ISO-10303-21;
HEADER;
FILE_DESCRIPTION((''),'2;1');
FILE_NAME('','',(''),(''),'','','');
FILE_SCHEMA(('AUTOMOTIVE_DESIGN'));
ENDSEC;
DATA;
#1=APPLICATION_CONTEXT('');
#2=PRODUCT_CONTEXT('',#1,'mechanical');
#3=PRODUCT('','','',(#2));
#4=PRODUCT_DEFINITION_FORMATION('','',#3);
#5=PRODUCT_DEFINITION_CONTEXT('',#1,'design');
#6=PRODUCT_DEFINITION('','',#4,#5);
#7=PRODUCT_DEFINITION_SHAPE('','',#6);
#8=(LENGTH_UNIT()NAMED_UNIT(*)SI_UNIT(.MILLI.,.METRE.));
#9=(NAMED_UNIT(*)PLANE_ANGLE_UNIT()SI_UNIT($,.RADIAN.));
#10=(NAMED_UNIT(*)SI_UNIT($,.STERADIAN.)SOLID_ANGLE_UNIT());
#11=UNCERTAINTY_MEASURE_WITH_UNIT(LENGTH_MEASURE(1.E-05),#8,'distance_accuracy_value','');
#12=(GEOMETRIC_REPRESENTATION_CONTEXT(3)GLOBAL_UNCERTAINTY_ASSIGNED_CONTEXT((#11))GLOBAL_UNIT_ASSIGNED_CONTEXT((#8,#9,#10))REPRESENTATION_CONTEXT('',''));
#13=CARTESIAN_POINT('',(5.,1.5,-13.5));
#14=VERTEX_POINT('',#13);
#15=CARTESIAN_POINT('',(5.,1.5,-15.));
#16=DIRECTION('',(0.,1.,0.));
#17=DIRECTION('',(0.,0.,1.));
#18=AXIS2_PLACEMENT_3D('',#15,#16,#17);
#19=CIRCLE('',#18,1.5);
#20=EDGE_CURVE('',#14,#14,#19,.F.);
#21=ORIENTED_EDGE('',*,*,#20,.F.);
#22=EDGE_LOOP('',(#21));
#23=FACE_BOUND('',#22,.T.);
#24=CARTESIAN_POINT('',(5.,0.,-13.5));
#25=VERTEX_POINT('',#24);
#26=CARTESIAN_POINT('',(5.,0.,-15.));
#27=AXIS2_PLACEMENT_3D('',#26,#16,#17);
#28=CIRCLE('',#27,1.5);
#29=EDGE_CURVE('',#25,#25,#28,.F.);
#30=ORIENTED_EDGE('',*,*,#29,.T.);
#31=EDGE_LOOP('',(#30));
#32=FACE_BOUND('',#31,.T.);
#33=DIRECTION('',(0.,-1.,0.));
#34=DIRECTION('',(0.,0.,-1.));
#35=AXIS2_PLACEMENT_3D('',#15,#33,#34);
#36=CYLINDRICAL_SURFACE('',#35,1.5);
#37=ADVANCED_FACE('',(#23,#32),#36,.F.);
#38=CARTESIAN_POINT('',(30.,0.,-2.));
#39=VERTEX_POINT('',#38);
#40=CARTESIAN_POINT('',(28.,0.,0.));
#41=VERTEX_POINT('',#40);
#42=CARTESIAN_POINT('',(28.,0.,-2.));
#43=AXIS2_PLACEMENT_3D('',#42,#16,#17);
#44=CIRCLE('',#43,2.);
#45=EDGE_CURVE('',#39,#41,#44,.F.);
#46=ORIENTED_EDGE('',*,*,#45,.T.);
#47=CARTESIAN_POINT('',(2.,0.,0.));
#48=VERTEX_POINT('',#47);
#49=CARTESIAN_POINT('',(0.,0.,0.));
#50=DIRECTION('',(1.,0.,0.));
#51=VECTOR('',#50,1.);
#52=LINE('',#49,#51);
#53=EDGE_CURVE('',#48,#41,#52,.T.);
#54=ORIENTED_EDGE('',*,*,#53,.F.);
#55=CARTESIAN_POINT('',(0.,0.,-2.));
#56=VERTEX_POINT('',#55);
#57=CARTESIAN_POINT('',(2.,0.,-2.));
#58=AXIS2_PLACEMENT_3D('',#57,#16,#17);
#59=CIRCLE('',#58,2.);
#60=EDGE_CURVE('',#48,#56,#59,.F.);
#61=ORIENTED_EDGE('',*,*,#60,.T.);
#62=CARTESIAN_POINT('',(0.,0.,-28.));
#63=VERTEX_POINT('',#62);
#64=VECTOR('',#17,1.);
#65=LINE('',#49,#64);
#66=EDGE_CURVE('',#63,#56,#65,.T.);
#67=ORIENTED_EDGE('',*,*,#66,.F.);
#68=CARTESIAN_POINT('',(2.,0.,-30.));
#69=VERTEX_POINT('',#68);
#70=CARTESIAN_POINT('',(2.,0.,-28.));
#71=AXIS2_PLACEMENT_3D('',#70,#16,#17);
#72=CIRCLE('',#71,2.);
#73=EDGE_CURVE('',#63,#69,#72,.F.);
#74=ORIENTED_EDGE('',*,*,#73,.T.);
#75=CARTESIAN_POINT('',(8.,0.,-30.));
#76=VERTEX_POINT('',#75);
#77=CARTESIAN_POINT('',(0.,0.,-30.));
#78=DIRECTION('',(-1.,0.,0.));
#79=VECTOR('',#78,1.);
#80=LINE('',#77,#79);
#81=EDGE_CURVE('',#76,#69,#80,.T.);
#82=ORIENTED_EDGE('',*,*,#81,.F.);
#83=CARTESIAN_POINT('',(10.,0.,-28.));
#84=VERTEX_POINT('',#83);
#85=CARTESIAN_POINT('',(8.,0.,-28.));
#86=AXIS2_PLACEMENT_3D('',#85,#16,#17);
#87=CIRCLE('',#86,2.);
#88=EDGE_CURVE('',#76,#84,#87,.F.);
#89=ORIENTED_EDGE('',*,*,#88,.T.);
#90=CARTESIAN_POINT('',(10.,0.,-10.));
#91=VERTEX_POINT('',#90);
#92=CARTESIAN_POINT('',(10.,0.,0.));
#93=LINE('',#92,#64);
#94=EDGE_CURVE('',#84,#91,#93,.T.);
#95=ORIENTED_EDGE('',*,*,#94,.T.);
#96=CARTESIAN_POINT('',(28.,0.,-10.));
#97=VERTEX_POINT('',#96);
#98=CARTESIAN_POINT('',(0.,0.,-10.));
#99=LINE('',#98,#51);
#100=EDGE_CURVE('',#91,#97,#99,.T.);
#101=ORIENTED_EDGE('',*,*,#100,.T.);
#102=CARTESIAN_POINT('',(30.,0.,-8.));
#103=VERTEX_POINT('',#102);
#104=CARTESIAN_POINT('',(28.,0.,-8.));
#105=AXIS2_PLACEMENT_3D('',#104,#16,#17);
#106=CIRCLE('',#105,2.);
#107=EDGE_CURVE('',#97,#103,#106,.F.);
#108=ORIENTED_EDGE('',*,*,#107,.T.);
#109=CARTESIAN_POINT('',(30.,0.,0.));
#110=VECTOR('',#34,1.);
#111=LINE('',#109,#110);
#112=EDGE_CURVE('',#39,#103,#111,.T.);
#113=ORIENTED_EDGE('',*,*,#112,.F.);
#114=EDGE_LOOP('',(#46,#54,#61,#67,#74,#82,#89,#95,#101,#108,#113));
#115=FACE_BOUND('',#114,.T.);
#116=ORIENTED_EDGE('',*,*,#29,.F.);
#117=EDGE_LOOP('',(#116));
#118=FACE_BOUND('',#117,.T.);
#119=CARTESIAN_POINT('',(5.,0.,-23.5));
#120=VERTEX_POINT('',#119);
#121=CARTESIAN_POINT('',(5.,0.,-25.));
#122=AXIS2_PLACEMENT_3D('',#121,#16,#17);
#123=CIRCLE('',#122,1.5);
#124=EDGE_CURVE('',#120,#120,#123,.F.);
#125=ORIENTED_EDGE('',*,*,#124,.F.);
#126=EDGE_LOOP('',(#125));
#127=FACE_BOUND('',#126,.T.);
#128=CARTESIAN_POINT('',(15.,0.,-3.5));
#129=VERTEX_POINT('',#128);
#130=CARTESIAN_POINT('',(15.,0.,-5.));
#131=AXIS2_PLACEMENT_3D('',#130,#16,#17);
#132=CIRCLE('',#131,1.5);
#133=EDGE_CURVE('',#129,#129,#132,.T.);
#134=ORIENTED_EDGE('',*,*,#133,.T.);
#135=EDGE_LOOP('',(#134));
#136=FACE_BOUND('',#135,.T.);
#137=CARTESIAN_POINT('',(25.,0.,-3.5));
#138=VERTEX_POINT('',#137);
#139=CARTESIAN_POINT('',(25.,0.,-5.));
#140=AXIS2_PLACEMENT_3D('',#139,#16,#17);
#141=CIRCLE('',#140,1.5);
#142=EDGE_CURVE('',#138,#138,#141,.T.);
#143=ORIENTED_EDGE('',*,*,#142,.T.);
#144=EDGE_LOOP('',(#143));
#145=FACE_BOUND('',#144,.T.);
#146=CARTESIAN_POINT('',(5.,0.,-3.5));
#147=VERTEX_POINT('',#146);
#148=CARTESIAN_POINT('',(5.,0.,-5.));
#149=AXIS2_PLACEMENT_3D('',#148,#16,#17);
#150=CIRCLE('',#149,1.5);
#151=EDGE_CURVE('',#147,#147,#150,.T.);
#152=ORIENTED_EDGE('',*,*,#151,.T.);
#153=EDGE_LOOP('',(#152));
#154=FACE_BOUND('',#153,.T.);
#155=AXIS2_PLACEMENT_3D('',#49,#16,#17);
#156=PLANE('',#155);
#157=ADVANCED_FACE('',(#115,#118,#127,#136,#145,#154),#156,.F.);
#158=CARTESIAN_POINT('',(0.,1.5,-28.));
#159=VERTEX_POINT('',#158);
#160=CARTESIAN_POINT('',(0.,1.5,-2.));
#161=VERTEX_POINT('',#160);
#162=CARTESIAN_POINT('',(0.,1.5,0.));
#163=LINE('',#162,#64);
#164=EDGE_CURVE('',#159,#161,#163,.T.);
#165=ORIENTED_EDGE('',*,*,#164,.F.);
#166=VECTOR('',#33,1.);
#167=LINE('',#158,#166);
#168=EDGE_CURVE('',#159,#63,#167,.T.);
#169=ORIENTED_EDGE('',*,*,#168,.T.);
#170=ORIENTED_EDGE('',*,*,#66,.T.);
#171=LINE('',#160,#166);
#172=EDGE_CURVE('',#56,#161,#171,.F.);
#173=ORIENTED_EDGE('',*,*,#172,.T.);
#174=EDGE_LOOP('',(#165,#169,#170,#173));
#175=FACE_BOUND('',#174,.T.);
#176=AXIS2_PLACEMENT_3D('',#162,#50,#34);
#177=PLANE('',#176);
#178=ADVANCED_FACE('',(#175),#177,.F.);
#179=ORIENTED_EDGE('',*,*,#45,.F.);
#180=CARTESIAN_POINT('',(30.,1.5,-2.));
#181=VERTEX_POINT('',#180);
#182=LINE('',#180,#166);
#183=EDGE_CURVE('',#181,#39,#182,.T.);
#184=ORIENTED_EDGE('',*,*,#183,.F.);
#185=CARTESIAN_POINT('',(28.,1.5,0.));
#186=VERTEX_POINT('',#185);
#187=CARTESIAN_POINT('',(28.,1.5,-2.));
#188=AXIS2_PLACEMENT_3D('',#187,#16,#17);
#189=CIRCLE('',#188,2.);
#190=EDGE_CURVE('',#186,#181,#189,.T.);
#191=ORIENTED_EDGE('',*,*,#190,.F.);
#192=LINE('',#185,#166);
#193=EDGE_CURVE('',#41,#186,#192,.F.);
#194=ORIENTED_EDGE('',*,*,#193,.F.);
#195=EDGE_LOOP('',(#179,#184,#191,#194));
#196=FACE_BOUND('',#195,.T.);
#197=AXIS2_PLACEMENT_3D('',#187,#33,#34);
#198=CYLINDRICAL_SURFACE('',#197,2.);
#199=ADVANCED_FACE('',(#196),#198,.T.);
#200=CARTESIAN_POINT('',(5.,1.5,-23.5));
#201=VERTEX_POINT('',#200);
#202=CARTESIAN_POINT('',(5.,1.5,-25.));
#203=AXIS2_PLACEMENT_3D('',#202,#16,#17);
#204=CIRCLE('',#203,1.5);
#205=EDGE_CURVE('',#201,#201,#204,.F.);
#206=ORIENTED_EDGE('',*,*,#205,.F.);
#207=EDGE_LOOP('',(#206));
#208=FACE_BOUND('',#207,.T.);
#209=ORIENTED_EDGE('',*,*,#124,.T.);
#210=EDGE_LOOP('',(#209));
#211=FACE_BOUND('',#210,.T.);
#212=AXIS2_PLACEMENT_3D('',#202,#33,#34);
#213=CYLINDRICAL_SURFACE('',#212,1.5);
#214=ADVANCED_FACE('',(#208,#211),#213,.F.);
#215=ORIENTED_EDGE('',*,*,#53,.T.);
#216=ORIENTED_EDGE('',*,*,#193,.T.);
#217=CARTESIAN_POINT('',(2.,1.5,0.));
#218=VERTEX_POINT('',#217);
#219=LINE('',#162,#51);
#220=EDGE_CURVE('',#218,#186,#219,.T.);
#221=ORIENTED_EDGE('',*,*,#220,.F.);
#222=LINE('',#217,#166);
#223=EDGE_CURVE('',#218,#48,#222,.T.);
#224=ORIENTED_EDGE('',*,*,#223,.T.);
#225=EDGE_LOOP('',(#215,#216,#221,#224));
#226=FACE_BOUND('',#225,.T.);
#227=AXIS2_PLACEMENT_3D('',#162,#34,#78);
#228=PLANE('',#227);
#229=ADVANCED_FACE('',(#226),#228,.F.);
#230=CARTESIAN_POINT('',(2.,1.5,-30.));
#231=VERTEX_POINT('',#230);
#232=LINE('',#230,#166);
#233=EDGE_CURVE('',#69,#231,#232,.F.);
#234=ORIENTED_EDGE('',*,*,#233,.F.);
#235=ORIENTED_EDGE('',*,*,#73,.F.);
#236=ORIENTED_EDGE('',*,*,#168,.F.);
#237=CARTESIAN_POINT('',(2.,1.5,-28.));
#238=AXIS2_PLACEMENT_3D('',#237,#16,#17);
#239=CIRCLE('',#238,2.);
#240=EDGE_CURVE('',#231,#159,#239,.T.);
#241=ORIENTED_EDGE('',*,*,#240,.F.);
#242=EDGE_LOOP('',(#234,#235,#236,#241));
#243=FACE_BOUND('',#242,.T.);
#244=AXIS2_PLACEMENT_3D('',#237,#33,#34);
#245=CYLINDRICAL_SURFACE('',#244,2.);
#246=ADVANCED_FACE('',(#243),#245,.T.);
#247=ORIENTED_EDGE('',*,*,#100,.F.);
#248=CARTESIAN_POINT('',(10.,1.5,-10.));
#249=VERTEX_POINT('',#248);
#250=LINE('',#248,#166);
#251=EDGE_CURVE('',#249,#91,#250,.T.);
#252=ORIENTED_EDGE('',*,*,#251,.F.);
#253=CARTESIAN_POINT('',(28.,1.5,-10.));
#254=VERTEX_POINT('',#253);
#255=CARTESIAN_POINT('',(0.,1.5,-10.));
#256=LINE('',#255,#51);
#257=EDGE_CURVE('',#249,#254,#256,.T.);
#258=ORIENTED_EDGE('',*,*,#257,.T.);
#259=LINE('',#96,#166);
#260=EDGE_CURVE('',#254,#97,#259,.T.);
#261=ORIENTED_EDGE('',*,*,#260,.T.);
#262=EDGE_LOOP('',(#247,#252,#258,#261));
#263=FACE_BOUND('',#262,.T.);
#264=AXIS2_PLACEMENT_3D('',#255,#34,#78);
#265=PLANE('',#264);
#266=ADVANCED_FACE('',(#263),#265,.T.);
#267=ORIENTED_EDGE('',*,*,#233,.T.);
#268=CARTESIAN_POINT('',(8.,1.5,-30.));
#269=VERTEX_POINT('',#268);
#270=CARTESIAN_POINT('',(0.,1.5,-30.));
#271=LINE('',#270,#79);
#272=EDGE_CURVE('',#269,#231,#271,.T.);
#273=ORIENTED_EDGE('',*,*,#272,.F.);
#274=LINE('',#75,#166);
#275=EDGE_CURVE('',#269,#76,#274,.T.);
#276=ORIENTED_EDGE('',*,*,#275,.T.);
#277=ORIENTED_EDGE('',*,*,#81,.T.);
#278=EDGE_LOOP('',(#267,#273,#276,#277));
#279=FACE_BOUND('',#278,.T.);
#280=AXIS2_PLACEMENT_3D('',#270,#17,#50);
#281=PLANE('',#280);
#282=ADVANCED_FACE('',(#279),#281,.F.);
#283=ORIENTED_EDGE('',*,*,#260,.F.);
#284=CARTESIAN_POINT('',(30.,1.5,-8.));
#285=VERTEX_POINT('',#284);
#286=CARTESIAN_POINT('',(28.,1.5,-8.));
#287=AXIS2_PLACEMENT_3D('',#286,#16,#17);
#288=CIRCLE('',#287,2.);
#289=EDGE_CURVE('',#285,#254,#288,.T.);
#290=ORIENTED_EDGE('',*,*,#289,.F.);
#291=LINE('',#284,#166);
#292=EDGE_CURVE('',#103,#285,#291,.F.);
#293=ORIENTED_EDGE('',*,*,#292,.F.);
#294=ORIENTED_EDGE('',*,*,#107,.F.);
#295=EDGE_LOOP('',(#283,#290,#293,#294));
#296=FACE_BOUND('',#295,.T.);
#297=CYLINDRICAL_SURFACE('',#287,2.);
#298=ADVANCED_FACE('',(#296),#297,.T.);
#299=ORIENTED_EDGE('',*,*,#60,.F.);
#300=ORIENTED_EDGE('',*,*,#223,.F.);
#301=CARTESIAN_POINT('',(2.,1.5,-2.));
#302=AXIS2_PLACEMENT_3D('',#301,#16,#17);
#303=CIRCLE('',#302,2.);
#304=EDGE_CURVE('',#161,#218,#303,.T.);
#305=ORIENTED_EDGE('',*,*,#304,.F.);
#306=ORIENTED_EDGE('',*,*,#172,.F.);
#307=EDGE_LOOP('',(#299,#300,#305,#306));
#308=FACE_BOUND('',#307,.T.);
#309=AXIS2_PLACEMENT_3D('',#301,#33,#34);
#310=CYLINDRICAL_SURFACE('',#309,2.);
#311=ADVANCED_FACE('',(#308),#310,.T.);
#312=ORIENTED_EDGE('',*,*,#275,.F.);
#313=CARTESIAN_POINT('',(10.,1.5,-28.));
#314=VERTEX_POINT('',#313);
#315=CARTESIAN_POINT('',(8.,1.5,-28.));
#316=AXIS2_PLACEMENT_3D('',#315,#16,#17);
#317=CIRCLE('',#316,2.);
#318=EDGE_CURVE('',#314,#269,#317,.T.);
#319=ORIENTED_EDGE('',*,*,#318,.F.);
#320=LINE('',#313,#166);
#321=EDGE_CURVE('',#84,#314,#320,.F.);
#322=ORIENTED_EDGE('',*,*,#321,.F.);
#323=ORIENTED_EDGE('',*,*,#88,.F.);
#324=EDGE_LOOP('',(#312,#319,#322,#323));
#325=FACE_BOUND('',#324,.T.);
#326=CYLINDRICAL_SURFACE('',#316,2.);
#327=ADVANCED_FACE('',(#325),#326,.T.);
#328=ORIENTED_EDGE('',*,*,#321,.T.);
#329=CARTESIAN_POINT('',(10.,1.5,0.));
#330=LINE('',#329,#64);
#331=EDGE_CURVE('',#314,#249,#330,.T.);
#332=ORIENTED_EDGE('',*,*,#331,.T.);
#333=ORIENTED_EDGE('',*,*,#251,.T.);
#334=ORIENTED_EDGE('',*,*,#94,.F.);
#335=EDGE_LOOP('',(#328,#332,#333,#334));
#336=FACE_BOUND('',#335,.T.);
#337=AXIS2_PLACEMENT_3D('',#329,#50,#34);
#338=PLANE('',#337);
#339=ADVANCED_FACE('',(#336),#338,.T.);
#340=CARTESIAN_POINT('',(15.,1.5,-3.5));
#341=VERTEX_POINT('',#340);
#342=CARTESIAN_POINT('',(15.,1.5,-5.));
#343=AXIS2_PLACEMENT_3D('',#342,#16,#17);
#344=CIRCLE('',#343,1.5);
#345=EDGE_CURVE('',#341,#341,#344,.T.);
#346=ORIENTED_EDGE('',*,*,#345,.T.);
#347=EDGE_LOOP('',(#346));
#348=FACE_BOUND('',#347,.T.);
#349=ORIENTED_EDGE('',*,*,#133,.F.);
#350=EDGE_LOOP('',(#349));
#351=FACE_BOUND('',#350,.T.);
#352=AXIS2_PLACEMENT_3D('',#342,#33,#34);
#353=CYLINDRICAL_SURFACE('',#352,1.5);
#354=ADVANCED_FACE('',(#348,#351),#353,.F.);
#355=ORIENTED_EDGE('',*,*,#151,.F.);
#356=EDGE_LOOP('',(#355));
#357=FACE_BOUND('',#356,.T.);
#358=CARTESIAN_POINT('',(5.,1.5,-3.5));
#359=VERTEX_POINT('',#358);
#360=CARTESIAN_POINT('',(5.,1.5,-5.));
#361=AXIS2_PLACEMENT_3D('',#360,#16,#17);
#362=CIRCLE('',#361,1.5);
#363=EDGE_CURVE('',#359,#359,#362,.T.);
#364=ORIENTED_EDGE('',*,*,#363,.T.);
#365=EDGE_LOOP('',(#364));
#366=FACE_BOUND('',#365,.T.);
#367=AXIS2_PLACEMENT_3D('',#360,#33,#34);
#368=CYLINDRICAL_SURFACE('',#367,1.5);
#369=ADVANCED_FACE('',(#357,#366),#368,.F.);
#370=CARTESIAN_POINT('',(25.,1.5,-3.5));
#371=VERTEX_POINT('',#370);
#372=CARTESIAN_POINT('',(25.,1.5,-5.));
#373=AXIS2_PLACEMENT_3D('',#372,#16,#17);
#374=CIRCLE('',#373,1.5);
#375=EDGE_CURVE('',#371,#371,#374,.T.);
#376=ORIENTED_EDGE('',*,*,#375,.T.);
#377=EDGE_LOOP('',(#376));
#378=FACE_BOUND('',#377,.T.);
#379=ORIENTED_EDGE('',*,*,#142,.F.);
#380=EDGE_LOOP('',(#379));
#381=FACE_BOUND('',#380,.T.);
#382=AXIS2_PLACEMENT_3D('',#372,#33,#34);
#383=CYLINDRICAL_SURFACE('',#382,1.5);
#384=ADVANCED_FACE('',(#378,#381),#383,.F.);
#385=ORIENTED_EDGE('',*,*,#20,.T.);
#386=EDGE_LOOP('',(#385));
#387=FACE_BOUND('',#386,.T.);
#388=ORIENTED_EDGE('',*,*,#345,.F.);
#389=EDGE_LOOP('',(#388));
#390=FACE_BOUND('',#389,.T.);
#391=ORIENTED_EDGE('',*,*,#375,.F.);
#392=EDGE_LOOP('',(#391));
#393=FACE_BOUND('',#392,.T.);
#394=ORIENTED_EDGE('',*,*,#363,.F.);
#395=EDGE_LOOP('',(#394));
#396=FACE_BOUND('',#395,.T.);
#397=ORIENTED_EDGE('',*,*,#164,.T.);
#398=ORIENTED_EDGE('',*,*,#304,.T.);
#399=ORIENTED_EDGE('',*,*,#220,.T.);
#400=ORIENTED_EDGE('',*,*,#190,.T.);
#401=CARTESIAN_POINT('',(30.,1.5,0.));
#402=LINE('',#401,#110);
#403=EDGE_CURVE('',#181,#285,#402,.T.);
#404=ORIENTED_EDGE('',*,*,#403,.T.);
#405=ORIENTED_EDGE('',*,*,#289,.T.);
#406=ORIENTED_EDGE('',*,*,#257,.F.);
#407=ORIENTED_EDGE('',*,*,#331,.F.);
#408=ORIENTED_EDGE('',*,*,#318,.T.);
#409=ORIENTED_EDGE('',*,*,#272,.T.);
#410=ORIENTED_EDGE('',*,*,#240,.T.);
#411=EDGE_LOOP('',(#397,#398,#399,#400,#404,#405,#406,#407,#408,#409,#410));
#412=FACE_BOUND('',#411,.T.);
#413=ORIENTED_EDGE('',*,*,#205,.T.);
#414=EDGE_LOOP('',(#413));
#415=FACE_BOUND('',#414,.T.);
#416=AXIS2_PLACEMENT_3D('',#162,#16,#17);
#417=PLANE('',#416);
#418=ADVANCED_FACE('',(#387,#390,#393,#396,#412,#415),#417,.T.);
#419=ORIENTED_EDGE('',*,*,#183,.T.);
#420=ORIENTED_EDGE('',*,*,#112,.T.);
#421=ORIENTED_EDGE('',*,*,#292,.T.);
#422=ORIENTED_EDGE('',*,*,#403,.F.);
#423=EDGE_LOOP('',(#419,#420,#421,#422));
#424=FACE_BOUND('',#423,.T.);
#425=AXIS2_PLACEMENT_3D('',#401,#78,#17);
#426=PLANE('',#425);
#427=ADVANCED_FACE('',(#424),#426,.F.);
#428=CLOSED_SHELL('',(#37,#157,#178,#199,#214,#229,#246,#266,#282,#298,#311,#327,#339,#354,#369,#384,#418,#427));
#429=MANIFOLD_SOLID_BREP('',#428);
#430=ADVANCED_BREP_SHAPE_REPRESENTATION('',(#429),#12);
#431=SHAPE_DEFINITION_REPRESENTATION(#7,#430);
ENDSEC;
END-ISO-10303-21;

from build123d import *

# Parameters (mm, degrees)
SKETCH_2_R      = 1.5
EXTRUDE_1_DEPTH = 1.5
FILLET_1_R      = 2


with BuildPart() as part:
    # ｽｹｯﾁ2 → ﾎﾞｽ - 押し出し1 (new body)
    with BuildSketch(Plane(origin=(0, 0, 0), x_dir=(1, 0, 0), z_dir=(0, 1, 0))):
        Polygon((10, 10), (30, 10), (30, 0), (0, 0), (0, 30), (10, 30), align=None)
        with Locations(Location((5, 25, 0), (0, 0, 270))):
            Circle(SKETCH_2_R, mode=Mode.SUBTRACT)
        with Locations(Location((25, 5, 0), (0, 0, 270))):
            Circle(SKETCH_2_R, mode=Mode.SUBTRACT)
        with Locations(Location((5, 5, 0), (0, 0, 270))):
            Circle(SKETCH_2_R, mode=Mode.SUBTRACT)
        with Locations(Location((15, 5, 0), (0, 0, 270))):
            Circle(SKETCH_2_R, mode=Mode.SUBTRACT)
        with Locations(Location((5, 15, 0), (0, 0, 270))):
            Circle(SKETCH_2_R, mode=Mode.SUBTRACT)
    extrude(amount=EXTRUDE_1_DEPTH)

    # ﾌｨﾚｯﾄ1
    fillet_1_edges = [part.edges().sort_by_distance(p)[0] for p in [
        (30, 0.75, -10),
        (30, 0.75, 0),
        (0, 0.75, 0),
        (0, 0.75, -30),
        (10, 0.75, -30),
    ]]
    fillet(fillet_1_edges, radius=FILLET_1_R)


solid = part.part
